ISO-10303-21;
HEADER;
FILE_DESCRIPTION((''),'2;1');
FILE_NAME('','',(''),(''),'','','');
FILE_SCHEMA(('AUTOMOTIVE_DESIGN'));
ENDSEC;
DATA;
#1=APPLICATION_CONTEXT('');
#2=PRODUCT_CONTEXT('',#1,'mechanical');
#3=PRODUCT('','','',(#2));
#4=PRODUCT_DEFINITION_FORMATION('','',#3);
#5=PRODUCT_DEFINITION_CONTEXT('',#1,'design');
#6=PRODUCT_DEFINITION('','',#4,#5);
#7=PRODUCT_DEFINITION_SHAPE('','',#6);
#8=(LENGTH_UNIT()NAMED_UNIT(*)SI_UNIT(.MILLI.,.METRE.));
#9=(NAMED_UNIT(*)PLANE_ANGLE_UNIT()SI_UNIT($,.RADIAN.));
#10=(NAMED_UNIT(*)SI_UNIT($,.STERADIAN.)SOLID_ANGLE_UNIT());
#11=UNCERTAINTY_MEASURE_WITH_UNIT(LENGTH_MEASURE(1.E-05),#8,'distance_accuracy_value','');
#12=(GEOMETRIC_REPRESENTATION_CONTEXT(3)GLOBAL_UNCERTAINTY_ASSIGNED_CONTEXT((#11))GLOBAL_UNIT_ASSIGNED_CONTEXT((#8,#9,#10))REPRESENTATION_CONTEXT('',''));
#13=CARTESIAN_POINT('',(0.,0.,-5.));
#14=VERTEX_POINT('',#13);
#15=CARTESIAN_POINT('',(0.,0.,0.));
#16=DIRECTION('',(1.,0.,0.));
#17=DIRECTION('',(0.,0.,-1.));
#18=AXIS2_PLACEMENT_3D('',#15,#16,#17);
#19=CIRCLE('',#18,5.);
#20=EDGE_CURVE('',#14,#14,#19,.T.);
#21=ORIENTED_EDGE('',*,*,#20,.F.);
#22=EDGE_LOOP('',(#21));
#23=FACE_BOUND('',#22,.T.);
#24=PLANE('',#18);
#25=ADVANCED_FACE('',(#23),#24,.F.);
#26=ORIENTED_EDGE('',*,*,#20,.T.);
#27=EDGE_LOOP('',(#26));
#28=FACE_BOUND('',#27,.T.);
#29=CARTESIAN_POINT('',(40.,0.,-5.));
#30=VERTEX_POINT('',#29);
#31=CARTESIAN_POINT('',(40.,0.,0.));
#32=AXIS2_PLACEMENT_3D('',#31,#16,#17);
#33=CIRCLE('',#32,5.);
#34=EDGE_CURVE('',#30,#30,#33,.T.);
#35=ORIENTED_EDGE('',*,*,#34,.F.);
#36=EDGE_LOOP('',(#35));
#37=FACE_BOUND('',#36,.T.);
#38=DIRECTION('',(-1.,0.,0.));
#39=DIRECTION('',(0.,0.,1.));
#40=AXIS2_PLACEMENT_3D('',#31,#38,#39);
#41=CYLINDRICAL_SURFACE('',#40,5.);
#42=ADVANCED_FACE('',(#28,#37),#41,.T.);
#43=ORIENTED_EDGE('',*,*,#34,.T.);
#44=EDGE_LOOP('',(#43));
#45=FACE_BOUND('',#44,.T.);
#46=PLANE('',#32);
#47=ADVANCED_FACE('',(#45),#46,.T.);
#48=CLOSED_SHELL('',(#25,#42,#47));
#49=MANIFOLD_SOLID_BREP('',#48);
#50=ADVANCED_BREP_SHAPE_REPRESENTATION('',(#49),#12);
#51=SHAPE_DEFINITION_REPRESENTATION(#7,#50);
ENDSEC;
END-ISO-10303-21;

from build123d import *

# Parameters (mm, degrees)
SKETCH1_R           = 5
BOSS_EXTRUDE1_DEPTH = 40


with BuildPart() as part:
    # Sketch1 → Boss-Extrude1 (new body)
    with BuildSketch(Plane(origin=(0, 0, 0), x_dir=(0, 0, -1), z_dir=(1, 0, 0))):
        Circle(SKETCH1_R)
    extrude(amount=BOSS_EXTRUDE1_DEPTH)


solid = part.part
